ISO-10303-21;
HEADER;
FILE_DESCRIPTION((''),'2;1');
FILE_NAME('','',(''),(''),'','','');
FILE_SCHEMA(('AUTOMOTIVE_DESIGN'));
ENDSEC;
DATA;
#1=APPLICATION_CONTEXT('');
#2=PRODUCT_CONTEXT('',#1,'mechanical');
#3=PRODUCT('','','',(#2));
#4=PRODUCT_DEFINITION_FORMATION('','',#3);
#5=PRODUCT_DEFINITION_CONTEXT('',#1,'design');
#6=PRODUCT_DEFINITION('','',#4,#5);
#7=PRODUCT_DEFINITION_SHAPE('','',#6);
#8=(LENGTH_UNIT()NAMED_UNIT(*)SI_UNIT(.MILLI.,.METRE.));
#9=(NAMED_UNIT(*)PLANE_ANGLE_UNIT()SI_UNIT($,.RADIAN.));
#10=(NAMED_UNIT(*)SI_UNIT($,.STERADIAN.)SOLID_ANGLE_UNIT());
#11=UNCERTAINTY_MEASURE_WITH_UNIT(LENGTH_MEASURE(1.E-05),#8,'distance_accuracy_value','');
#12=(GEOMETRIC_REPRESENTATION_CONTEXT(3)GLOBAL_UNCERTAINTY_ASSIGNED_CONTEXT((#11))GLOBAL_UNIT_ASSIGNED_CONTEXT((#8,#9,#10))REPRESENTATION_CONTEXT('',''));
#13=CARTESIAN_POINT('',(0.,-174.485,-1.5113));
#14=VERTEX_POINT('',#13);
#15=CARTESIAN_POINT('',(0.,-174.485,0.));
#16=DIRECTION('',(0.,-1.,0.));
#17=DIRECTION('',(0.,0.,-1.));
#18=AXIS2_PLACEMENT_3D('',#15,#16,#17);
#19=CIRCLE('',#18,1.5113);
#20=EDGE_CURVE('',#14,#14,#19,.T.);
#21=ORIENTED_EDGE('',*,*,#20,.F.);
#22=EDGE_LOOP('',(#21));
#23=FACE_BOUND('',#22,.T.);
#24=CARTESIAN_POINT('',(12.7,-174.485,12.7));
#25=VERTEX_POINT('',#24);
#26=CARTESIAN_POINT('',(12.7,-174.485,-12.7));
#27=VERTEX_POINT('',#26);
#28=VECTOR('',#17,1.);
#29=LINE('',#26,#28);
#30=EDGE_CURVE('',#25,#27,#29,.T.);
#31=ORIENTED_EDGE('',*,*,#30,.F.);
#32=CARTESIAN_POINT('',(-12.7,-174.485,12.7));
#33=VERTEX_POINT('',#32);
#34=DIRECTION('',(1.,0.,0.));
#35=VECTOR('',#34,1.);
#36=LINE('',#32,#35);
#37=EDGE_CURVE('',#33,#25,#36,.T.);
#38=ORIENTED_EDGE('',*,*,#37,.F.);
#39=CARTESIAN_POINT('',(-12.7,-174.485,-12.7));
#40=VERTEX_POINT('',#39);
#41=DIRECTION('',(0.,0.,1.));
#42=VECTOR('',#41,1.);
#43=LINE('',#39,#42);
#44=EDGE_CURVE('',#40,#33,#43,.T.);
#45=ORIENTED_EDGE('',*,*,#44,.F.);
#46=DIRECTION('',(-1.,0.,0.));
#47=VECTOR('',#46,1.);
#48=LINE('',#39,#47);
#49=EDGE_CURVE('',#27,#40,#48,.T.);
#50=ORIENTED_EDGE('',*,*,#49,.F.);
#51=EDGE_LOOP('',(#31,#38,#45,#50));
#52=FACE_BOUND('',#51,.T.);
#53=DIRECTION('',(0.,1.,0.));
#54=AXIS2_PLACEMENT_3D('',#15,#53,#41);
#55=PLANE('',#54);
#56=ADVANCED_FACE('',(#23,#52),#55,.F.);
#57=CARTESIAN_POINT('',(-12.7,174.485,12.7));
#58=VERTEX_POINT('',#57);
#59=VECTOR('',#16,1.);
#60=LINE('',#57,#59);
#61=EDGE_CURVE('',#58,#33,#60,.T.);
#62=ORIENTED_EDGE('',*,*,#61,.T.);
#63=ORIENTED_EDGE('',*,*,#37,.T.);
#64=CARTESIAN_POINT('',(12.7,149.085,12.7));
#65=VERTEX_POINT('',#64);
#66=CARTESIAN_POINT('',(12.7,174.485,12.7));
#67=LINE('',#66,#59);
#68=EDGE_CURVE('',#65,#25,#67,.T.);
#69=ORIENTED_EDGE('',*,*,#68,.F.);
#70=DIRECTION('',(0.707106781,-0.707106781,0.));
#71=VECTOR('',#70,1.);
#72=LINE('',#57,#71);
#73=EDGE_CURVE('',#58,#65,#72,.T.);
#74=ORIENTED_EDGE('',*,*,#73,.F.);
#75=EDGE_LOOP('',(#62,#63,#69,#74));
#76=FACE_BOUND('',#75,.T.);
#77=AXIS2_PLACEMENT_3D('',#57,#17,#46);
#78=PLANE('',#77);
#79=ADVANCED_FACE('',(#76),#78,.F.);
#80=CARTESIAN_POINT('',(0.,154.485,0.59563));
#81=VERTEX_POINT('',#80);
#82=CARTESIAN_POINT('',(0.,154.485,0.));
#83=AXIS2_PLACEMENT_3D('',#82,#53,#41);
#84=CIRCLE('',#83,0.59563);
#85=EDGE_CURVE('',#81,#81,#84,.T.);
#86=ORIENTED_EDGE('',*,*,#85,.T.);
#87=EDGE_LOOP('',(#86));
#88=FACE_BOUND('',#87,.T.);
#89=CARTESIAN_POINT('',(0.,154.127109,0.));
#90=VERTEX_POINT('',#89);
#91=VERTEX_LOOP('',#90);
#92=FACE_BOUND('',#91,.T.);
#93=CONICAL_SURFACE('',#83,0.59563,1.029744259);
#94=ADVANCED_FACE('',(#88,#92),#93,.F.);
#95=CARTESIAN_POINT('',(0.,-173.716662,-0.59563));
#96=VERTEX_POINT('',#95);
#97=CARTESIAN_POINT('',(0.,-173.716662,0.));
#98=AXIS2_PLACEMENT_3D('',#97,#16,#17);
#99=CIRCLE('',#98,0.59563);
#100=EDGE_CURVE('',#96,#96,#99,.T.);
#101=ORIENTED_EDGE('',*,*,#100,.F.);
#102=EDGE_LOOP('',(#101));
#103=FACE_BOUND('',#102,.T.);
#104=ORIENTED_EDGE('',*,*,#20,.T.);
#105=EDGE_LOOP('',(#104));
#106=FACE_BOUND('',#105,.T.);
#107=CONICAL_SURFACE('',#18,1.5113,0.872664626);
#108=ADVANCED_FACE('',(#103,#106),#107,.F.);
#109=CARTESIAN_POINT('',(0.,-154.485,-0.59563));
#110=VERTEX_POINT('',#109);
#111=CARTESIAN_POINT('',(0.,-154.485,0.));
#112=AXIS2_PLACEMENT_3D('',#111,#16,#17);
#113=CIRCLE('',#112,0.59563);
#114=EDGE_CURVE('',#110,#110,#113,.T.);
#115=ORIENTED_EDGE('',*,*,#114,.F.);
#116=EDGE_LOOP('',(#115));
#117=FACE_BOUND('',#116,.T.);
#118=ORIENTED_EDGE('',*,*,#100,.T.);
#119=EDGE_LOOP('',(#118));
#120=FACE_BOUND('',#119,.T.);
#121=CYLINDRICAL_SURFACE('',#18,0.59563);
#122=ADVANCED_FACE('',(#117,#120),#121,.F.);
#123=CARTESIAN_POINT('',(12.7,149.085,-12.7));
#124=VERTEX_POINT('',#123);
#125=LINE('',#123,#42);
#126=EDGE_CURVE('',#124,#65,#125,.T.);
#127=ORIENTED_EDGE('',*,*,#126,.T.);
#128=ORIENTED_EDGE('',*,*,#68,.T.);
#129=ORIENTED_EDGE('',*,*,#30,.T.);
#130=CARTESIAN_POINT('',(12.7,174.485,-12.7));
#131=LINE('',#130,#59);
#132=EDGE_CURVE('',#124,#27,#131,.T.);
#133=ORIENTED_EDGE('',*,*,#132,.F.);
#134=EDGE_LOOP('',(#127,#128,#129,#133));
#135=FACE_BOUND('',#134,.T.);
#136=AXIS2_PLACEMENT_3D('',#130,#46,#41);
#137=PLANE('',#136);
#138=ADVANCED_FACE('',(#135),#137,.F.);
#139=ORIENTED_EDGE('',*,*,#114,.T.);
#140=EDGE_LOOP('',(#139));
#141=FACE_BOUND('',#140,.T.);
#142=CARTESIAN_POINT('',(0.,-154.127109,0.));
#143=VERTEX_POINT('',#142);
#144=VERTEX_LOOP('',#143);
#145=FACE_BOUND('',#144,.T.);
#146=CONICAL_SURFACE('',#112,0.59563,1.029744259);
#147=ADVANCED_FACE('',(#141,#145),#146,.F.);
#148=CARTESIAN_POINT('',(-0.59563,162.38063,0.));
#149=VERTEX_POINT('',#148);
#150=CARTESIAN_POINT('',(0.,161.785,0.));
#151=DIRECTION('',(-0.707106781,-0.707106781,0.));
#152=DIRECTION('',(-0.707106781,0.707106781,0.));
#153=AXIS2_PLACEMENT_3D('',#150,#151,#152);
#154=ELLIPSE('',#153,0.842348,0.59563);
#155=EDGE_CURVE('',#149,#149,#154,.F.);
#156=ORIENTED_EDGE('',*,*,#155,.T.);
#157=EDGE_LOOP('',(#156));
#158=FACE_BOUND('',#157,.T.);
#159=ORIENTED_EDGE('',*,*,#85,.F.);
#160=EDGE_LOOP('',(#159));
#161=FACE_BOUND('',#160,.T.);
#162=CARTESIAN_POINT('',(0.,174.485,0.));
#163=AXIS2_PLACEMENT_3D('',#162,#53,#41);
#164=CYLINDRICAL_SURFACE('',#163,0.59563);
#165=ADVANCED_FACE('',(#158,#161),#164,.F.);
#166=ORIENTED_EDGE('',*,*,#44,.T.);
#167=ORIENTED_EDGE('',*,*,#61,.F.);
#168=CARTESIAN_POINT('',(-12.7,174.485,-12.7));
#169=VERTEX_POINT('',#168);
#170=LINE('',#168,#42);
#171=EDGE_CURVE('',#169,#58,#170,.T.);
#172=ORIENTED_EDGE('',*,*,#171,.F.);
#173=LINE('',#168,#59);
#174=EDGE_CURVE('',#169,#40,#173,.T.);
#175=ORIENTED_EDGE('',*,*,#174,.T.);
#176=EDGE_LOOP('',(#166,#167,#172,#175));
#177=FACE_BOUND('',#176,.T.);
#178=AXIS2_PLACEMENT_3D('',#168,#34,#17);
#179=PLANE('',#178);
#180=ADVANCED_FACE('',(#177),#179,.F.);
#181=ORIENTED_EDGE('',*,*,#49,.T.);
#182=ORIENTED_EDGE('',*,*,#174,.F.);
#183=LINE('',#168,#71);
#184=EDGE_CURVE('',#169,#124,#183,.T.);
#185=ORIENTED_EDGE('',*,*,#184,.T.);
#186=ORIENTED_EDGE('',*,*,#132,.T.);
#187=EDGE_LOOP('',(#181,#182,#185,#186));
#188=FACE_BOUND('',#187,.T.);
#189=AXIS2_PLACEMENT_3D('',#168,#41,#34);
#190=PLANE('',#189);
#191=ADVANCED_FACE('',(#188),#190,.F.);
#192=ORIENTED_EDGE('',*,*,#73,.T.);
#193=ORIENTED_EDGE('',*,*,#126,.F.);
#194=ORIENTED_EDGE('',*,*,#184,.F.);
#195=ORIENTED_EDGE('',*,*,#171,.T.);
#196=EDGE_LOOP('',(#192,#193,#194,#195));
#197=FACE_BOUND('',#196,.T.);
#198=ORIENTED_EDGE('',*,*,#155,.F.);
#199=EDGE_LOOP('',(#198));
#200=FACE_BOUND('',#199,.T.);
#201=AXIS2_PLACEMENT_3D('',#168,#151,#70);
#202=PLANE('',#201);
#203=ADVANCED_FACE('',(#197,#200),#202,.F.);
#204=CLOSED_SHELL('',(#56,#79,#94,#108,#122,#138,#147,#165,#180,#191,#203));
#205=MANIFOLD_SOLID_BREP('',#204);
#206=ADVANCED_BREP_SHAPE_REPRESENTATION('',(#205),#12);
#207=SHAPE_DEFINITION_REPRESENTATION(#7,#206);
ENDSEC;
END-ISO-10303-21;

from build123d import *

# Parameters (mm, degrees)
SKETCH1_W               = 25.4
SKETCH1_H               = 25.4
BOSS_EXTRUDE1_DEPTH     = 174.485
CUT_EXTRUDE1_DEPTH      = 13.7
CUT_EXTRUDE1_DEPTH_BACK = 13.7


with BuildPart() as part:
    # Sketch1 → Boss-Extrude1 (new body, symmetric)
    with BuildSketch(Plane(origin=(0, 0, 0), x_dir=(1, 0, 0), z_dir=(0, 1, 0))):
        Rectangle(SKETCH1_W, SKETCH1_H)
    extrude(amount=BOSS_EXTRUDE1_DEPTH, both=True)

    # Sketch3 → #0-80 Tapped Hole1 (revolve, cut)
    with BuildSketch(Plane(origin=(0, -174.485, 0), x_dir=(0, 0, -1), z_dir=(1, 0, 0))):
        Polygon((0, 0), (0, 20.357890611), (0.59563, 20), (0.59563, 0.768338359), (1.5113, 0), align=None)
    f_0_80_tapped_hole1 = revolve(axis=Axis((0, -180.835, 0), (0, 1, 0)), mode=Mode.SUBTRACT)

    # Mirror1: #0-80 Tapped Hole1 across plane
    add(f_0_80_tapped_hole1.mirror(Plane.ZX), mode=Mode.SUBTRACT)

    # Sketch4 → Cut-Extrude1 (cut, two sides)
    with BuildSketch(Plane.XY) as cut_extrude1_sk:
        Polygon((12.7, 174.485), (-12.7, 174.485), (12.7, 149.085), align=None)
    extrude(amount=CUT_EXTRUDE1_DEPTH, mode=Mode.SUBTRACT)
    extrude(cut_extrude1_sk.sketch, amount=-CUT_EXTRUDE1_DEPTH_BACK, mode=Mode.SUBTRACT)


solid = part.part
